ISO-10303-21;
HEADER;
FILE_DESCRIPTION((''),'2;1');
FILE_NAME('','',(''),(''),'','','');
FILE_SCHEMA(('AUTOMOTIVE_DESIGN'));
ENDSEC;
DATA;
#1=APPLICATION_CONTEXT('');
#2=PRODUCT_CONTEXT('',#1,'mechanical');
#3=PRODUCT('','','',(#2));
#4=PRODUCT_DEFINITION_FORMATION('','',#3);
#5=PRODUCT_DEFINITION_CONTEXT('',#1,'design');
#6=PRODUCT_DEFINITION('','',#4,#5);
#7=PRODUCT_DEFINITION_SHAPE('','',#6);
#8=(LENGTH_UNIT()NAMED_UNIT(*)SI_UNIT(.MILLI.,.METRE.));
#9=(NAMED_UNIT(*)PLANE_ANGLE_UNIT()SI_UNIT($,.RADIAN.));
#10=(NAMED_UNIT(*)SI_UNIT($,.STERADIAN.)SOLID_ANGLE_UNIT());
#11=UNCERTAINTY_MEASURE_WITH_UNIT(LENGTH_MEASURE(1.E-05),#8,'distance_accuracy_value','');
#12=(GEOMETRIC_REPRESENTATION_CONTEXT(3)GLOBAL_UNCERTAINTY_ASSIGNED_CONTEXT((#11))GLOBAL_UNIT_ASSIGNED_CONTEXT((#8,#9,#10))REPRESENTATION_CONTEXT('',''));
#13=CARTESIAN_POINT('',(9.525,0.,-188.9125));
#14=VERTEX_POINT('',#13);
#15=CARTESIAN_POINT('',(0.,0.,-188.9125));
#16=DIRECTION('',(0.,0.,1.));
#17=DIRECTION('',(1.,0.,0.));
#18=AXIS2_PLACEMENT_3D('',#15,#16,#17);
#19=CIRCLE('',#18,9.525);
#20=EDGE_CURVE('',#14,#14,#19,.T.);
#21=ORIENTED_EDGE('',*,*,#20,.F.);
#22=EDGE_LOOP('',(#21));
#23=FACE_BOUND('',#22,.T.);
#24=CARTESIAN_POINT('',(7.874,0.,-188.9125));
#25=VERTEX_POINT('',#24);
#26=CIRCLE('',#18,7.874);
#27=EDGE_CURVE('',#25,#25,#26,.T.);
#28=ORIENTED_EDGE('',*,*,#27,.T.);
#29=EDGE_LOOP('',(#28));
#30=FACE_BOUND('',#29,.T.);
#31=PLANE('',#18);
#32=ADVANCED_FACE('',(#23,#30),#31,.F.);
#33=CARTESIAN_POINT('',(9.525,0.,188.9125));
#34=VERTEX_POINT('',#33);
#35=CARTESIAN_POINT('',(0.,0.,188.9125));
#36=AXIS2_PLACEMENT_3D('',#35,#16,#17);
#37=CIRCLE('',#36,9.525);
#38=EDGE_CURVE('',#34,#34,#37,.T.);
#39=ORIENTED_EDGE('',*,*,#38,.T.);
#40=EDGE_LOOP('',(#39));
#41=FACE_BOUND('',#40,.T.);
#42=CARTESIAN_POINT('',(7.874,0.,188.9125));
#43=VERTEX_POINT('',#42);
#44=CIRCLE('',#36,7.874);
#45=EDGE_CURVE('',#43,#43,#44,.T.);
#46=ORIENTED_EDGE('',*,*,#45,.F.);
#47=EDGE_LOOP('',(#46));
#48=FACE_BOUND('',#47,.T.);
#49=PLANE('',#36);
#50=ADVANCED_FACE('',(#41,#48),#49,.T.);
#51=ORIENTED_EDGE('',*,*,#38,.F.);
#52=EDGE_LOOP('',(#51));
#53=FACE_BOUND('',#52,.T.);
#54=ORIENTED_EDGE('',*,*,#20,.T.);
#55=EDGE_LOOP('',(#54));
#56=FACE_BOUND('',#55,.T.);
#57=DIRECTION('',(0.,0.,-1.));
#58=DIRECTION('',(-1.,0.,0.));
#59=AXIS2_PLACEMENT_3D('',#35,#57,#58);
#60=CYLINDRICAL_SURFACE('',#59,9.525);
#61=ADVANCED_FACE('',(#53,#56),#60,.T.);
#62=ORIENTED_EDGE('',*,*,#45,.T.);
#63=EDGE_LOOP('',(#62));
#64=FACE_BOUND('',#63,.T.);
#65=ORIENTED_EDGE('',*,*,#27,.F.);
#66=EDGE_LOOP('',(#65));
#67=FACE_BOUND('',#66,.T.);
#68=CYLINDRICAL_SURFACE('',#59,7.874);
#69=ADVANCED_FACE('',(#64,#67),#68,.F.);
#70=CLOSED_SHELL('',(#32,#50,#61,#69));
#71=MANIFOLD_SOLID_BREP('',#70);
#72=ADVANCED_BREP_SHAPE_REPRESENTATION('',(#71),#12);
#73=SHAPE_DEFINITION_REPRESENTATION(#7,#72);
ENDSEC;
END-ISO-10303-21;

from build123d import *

# Parameters (mm, degrees)
SKETCH3_R           = 9.525
SKETCH3_R_2         = 7.874
BOSS_EXTRUDE1_DEPTH = 188.9125


with BuildPart() as part:
    # Sketch3 → Boss-Extrude1 (new, symmetric)
    with BuildSketch(Plane.XY):
        Circle(SKETCH3_R)
        Circle(SKETCH3_R_2, mode=Mode.SUBTRACT)
    extrude(amount=BOSS_EXTRUDE1_DEPTH, both=True)


solid = part.part
